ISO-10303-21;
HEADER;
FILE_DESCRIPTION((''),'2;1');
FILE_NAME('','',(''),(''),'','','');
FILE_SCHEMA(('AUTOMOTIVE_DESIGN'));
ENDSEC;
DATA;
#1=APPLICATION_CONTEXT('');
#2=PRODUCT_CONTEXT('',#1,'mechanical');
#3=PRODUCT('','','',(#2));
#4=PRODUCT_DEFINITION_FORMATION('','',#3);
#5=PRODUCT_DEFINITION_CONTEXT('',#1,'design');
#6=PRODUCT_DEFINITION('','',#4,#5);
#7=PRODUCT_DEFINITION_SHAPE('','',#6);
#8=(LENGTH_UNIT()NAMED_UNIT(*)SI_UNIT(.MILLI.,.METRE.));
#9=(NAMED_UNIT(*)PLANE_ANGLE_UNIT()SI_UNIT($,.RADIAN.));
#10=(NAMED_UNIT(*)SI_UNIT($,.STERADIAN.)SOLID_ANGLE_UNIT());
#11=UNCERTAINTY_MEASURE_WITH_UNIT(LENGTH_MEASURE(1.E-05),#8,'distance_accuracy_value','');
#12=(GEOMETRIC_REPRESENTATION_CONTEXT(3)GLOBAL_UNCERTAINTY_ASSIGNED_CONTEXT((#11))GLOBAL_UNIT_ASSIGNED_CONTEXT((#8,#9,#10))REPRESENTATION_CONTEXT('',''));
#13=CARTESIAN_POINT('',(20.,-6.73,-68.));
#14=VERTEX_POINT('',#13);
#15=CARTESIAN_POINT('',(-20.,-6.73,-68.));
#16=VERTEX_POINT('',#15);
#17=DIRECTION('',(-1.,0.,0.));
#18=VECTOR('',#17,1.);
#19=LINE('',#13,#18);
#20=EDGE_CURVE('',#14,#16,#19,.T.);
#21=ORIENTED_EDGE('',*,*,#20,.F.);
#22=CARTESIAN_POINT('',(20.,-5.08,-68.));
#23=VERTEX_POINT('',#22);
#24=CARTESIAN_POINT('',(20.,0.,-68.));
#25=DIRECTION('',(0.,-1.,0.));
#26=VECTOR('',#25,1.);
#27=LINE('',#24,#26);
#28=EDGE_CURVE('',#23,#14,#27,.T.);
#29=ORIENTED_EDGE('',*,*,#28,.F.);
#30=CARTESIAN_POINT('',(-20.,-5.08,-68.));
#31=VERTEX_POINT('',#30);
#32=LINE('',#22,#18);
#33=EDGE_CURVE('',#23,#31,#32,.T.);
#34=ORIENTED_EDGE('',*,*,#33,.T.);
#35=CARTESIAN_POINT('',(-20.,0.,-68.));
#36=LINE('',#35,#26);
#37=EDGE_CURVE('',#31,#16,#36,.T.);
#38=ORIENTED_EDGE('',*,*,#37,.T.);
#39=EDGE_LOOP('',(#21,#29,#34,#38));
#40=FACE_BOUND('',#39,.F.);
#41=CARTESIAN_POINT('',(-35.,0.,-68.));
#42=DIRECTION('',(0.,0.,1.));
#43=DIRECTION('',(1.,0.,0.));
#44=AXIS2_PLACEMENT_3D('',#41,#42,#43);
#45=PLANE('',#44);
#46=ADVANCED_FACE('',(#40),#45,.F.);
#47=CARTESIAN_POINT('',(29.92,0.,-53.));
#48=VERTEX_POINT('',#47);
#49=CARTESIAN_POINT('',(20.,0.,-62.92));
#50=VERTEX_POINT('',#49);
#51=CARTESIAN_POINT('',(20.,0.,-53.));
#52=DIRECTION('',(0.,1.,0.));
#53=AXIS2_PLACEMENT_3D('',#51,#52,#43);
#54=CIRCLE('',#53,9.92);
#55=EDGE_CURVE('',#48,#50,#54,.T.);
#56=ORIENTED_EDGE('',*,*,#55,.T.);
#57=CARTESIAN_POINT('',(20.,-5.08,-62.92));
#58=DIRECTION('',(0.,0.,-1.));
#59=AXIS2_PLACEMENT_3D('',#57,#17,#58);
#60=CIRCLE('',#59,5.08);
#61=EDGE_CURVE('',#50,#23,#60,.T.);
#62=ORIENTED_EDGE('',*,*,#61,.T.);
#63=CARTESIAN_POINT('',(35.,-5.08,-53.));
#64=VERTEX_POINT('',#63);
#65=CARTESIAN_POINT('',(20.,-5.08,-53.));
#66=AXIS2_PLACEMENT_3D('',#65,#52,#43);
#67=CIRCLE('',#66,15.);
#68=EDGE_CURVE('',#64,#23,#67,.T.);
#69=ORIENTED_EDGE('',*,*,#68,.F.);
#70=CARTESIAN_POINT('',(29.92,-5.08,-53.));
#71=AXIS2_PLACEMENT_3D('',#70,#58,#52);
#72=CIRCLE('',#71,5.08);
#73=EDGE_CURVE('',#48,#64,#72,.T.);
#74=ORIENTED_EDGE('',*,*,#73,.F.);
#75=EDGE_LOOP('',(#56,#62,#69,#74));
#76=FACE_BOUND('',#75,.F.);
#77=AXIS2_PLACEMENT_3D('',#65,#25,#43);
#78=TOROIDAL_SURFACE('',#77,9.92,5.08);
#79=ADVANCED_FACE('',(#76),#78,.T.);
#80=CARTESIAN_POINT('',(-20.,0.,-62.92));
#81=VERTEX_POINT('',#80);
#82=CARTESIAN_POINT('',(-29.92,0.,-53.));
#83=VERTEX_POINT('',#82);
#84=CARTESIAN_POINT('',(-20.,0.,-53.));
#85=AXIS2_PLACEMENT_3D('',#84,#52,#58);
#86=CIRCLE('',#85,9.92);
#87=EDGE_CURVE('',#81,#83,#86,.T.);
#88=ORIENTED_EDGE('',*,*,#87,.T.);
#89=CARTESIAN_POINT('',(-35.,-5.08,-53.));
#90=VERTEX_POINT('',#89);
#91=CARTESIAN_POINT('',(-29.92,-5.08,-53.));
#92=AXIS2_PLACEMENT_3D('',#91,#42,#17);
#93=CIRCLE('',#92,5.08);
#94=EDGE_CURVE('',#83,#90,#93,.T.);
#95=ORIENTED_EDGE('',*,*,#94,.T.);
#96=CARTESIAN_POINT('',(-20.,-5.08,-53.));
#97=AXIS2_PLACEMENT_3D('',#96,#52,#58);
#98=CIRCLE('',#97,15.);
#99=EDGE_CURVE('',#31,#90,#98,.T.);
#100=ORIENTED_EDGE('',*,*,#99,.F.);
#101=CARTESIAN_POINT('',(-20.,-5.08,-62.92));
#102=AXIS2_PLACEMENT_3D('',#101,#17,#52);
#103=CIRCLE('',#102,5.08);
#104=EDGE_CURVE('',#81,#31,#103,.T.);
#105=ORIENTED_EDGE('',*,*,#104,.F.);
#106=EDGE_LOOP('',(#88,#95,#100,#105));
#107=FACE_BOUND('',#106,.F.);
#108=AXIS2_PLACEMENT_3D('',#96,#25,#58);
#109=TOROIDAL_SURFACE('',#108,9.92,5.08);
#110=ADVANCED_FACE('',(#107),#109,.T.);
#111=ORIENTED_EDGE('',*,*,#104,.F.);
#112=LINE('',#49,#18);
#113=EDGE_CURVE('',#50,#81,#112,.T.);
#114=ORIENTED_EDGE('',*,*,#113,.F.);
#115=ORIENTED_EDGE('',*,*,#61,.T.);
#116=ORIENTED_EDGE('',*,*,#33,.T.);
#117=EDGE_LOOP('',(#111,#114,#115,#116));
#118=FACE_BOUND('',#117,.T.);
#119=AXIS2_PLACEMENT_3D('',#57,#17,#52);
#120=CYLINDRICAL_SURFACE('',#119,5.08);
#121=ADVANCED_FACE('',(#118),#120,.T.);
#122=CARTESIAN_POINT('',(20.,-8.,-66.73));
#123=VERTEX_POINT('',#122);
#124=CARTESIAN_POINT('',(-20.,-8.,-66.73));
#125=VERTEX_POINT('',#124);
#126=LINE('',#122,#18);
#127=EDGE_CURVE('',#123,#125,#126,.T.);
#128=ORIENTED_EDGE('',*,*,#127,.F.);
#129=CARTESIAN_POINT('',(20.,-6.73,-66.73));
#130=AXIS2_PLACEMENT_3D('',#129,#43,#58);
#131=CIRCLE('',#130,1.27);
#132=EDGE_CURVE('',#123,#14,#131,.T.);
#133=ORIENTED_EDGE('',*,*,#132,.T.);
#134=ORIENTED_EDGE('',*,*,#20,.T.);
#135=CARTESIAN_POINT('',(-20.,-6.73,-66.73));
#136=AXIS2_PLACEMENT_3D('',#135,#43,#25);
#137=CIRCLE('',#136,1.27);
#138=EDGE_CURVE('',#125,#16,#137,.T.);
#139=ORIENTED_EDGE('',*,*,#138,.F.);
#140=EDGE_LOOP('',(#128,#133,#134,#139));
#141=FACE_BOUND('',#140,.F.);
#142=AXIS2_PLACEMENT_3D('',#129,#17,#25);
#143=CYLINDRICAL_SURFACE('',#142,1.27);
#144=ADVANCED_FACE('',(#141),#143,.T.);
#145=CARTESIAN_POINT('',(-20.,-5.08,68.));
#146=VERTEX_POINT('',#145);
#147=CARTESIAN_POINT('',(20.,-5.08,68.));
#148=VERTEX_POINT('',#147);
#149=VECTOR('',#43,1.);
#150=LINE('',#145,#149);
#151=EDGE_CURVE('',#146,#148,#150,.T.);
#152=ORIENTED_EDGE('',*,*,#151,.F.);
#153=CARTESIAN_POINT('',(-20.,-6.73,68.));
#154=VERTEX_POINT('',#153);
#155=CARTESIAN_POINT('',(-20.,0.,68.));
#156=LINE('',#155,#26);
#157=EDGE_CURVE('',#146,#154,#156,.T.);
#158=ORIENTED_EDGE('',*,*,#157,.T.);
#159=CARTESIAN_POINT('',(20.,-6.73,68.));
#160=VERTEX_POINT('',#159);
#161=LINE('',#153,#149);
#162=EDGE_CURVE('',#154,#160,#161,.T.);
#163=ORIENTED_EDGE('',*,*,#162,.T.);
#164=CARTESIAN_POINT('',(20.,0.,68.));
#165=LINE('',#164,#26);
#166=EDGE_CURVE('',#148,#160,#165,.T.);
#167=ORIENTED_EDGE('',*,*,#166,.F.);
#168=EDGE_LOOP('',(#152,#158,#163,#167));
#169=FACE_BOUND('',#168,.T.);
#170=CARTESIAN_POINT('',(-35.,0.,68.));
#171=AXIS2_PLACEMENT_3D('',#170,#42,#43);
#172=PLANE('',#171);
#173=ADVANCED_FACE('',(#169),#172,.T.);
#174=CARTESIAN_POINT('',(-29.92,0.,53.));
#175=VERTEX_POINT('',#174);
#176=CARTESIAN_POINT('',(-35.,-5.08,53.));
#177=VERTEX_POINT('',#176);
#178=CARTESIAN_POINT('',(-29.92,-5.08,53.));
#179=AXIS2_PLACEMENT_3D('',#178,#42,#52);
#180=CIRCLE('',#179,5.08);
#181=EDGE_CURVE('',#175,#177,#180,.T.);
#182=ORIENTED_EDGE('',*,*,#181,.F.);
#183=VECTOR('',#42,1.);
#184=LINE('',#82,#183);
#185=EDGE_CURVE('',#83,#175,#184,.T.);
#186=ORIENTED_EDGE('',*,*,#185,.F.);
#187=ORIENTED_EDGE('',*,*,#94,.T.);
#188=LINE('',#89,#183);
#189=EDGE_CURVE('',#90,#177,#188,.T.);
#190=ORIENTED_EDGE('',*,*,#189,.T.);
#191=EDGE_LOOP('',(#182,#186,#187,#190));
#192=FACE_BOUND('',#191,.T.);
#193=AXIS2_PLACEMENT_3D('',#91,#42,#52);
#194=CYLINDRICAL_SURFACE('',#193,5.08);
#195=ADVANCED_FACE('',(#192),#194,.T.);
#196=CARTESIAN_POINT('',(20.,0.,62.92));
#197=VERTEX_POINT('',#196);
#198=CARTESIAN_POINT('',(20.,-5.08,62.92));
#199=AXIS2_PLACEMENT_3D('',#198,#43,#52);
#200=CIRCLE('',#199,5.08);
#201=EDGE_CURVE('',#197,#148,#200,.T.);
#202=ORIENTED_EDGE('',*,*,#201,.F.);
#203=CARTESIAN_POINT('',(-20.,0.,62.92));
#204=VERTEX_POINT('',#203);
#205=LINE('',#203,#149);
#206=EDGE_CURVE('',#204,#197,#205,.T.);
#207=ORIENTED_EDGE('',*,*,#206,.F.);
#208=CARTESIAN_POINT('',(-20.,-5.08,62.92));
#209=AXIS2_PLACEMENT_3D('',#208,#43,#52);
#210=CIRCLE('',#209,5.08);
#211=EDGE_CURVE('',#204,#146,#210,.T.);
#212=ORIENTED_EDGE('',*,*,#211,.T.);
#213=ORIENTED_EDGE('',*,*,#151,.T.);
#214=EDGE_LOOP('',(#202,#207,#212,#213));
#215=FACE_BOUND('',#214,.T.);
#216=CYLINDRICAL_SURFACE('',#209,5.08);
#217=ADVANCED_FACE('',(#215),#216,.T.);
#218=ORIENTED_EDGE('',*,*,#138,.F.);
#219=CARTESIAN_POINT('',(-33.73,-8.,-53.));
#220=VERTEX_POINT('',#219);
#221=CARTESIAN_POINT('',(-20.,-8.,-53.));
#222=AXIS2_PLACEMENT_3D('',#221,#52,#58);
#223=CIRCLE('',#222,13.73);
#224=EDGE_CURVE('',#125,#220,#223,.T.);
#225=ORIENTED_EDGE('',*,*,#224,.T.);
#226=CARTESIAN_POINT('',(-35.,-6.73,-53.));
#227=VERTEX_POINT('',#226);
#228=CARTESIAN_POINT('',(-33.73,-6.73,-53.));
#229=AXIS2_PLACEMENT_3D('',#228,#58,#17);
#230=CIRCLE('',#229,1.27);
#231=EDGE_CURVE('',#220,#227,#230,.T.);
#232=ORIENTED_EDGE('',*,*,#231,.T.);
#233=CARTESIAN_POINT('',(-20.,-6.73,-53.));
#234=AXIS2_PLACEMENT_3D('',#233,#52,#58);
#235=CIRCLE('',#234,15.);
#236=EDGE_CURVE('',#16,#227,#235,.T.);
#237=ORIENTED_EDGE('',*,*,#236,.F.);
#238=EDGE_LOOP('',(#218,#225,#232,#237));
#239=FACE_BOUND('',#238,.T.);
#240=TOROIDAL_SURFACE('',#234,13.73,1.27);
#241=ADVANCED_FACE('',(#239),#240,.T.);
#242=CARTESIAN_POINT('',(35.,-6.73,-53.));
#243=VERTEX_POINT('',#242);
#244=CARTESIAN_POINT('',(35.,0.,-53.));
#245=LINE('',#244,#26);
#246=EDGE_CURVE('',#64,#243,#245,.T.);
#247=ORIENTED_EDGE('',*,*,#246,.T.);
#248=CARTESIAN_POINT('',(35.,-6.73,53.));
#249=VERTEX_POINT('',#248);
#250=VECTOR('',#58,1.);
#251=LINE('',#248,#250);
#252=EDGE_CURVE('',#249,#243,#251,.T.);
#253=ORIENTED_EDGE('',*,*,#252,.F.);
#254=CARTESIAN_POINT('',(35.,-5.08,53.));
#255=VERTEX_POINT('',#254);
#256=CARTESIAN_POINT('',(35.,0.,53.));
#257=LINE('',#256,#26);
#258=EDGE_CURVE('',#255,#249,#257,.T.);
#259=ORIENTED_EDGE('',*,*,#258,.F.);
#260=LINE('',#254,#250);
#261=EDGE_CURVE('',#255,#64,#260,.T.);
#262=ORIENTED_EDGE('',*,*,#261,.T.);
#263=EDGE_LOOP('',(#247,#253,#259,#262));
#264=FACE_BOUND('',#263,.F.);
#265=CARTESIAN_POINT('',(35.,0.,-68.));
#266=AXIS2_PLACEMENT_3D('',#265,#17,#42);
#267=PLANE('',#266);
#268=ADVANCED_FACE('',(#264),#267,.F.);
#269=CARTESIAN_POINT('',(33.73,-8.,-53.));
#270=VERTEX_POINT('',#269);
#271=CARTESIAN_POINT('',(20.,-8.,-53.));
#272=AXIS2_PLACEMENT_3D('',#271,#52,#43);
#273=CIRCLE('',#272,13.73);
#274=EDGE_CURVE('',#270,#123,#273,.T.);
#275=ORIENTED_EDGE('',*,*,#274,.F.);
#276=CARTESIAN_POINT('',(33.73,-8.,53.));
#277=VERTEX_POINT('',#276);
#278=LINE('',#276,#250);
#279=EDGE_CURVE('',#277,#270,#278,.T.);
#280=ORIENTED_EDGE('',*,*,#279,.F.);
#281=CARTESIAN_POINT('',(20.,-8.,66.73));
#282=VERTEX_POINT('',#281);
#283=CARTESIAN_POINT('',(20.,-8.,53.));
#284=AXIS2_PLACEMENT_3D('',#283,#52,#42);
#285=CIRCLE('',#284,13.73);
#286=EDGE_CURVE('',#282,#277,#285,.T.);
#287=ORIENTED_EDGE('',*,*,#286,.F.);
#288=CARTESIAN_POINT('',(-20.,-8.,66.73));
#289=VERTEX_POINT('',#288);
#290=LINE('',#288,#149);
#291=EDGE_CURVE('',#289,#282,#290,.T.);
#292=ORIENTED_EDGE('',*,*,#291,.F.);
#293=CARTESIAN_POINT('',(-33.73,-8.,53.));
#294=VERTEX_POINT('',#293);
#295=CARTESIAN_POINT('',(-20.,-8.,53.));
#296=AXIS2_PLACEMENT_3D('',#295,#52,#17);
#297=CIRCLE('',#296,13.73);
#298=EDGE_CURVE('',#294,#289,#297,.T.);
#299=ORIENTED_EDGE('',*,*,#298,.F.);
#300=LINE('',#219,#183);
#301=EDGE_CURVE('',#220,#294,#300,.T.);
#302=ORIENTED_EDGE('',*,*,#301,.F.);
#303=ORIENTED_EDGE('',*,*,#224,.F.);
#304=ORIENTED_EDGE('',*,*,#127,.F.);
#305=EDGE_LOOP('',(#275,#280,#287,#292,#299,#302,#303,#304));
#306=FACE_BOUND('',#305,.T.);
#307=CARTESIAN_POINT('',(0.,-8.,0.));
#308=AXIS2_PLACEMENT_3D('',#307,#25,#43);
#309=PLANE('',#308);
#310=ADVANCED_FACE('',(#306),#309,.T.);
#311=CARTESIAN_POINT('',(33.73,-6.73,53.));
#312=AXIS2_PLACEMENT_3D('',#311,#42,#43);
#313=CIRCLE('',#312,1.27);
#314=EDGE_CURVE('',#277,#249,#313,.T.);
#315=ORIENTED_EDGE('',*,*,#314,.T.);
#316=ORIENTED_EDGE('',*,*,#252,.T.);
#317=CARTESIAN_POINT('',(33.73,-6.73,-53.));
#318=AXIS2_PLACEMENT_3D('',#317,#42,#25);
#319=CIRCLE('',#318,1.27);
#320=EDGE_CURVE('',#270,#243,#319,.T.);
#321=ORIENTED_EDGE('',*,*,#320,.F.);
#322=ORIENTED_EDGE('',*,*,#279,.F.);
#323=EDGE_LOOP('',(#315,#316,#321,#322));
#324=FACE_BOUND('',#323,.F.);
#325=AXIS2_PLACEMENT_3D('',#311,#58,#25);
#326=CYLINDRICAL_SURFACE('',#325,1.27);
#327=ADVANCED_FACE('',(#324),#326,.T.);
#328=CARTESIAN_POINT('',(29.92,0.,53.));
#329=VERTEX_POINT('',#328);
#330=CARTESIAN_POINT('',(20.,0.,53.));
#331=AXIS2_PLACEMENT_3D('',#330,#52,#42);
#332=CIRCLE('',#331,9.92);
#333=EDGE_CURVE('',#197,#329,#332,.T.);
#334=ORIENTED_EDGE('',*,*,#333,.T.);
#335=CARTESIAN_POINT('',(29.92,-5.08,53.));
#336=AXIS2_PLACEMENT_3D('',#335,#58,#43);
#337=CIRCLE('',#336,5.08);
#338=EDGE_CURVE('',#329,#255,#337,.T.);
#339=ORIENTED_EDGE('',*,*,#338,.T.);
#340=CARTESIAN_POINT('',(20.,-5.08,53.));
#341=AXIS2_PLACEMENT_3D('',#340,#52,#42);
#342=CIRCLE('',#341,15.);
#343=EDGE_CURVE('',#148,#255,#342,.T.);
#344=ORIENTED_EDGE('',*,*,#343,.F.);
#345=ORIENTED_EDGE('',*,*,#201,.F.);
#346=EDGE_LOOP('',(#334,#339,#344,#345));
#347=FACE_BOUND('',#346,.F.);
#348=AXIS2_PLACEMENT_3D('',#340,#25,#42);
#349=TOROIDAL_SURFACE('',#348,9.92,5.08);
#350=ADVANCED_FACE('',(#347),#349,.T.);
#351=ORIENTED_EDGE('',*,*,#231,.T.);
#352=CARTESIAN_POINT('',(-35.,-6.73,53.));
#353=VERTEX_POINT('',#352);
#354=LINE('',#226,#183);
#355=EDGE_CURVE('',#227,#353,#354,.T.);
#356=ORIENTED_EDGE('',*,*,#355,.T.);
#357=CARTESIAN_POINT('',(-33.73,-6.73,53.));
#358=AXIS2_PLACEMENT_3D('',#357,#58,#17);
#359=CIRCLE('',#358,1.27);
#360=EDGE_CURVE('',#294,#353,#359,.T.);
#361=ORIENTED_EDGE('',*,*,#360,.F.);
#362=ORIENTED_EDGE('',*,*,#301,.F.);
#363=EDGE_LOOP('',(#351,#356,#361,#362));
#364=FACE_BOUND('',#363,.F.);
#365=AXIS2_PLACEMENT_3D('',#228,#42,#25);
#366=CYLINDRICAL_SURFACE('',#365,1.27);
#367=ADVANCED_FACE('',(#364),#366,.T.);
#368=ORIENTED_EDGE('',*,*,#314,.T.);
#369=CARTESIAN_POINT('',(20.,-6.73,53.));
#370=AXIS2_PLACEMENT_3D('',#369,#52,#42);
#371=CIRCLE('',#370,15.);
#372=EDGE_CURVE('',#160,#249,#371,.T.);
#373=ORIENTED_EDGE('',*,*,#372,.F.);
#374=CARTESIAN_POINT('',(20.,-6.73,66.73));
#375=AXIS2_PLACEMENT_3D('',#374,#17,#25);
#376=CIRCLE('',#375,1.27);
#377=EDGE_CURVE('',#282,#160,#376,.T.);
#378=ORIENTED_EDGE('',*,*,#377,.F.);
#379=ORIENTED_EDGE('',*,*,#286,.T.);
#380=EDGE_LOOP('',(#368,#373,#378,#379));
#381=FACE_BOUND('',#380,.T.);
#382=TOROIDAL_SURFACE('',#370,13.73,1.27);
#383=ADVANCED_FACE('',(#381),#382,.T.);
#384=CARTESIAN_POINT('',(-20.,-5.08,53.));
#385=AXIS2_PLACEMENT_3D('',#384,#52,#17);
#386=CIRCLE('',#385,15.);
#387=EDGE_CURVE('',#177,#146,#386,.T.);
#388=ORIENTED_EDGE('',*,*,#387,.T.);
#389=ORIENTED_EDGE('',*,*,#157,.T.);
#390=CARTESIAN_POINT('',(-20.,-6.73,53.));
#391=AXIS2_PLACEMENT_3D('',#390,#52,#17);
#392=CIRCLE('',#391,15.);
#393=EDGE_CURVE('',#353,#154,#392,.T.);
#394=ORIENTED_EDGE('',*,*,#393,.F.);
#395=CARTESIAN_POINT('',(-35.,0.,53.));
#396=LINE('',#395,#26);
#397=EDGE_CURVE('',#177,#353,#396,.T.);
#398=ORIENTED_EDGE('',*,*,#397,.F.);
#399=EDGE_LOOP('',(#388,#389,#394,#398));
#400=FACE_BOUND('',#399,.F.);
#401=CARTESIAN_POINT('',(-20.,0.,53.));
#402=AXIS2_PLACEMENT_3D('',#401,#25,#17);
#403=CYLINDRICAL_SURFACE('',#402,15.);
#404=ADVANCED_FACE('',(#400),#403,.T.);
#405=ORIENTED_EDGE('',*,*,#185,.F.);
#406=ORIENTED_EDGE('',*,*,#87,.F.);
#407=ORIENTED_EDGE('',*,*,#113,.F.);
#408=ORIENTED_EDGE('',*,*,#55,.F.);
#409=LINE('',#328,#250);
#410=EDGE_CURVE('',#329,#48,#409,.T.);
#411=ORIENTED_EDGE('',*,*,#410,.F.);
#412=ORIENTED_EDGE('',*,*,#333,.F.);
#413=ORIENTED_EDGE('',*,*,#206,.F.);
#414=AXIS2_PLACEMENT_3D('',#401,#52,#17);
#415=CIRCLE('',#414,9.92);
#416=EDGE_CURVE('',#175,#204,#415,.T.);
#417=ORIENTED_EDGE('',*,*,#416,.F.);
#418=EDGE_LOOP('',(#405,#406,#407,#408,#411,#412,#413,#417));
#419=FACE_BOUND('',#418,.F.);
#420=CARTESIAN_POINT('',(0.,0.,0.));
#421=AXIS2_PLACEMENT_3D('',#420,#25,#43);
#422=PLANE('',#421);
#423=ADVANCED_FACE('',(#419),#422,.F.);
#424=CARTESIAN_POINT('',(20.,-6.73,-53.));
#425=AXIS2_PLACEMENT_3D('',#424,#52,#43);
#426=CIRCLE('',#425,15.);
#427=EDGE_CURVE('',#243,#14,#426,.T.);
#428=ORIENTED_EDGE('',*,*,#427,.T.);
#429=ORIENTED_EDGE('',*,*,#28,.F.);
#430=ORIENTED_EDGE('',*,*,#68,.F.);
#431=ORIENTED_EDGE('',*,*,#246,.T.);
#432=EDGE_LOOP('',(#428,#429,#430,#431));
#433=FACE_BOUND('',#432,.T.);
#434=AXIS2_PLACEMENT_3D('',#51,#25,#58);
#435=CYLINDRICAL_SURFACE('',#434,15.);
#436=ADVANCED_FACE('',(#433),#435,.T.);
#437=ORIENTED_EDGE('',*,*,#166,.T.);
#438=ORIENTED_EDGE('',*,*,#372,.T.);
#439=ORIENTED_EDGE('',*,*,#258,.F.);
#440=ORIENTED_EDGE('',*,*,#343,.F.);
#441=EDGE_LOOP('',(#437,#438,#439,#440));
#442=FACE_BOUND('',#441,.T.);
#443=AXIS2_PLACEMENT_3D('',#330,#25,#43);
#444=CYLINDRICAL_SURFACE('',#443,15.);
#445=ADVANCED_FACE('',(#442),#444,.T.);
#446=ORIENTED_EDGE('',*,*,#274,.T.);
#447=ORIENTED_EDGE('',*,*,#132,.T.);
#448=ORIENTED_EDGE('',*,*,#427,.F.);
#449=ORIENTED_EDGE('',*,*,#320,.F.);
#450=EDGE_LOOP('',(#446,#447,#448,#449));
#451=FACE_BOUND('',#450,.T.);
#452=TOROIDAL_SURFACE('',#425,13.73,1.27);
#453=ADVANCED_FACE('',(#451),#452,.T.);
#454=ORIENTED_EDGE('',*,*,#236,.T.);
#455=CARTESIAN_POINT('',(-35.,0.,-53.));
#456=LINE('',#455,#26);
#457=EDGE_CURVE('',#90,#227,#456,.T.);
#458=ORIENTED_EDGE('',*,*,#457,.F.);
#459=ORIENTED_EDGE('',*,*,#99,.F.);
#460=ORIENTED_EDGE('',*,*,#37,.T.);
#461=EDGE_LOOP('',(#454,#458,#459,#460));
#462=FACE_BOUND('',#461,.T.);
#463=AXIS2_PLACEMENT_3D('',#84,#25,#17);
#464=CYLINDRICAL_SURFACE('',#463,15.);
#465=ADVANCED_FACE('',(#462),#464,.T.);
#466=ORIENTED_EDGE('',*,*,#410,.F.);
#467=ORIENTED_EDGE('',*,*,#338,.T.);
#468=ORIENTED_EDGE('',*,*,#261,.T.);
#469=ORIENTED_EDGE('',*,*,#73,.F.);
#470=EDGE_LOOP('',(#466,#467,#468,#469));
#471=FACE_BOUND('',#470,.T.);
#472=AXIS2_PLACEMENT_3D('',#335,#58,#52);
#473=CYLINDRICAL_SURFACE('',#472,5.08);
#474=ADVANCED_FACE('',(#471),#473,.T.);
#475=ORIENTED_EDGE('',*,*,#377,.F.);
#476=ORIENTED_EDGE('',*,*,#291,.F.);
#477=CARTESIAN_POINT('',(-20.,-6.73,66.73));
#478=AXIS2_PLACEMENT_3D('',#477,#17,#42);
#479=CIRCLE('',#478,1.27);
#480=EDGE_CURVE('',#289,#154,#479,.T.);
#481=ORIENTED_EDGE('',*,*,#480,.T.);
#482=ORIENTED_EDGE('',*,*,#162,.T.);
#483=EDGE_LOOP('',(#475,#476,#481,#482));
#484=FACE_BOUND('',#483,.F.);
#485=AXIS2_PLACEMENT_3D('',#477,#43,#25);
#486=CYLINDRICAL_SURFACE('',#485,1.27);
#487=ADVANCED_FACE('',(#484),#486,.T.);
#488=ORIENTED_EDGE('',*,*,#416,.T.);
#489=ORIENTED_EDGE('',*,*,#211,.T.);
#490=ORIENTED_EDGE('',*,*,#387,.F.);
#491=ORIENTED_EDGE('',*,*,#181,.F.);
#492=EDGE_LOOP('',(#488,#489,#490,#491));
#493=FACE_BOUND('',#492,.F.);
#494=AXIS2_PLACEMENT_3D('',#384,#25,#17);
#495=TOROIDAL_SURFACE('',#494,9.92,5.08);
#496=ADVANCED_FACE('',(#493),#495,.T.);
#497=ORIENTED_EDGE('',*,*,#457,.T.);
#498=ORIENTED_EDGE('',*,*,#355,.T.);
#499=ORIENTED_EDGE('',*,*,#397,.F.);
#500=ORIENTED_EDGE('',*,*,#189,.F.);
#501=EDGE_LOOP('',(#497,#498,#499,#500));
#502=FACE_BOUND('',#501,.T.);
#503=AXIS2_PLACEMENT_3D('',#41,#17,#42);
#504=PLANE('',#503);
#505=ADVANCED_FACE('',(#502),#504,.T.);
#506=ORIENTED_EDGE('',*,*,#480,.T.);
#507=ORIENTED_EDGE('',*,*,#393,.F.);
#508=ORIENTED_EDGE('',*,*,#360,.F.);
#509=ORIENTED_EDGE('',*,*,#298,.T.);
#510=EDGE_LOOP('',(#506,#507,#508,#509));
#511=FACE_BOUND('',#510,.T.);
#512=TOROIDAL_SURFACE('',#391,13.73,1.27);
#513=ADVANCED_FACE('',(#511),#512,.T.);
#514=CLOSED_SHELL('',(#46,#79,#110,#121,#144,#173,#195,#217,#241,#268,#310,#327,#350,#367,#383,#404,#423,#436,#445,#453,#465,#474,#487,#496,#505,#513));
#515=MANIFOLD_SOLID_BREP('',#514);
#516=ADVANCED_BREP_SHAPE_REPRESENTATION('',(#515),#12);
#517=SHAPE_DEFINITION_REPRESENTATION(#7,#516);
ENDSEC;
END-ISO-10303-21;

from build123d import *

# Parameters (mm, degrees)
F0_W     = 70
F0_H     = 136
F1_DEPTH = 8
F2_R     = 15
F3_R     = 5.08
F4_R     = 1.27


with BuildPart() as f1:
    # F0 (on Front) → F1 (new body)
    with BuildSketch(Plane.XZ):
        Rectangle(F0_W, F0_H)
    extrude(amount=F1_DEPTH)

    # F2
    f2_edges = [f1.edges().sort_by_distance(p)[0] for p in [
        (35, -4, 68),
        (-35, -4, 68),
        (35, -4, -68),
        (-35, -4, -68),
    ]]
    fillet(f2_edges, radius=F2_R)

    # F3
    f3_edges = [f1.edges().sort_by_distance(p)[0] for p in [
        (0, 0, 68),
        (30.606602, 0, 63.606602),
    ]]
    fillet(f3_edges, radius=F3_R)

    # F4
    f4_edges = [f1.edges().sort_by_distance(p)[0] for p in [
        (-30.606602, -8, 63.606602),
        (0, -8, 68),
    ]]
    fillet(f4_edges, radius=F4_R)


solid = f1.part
